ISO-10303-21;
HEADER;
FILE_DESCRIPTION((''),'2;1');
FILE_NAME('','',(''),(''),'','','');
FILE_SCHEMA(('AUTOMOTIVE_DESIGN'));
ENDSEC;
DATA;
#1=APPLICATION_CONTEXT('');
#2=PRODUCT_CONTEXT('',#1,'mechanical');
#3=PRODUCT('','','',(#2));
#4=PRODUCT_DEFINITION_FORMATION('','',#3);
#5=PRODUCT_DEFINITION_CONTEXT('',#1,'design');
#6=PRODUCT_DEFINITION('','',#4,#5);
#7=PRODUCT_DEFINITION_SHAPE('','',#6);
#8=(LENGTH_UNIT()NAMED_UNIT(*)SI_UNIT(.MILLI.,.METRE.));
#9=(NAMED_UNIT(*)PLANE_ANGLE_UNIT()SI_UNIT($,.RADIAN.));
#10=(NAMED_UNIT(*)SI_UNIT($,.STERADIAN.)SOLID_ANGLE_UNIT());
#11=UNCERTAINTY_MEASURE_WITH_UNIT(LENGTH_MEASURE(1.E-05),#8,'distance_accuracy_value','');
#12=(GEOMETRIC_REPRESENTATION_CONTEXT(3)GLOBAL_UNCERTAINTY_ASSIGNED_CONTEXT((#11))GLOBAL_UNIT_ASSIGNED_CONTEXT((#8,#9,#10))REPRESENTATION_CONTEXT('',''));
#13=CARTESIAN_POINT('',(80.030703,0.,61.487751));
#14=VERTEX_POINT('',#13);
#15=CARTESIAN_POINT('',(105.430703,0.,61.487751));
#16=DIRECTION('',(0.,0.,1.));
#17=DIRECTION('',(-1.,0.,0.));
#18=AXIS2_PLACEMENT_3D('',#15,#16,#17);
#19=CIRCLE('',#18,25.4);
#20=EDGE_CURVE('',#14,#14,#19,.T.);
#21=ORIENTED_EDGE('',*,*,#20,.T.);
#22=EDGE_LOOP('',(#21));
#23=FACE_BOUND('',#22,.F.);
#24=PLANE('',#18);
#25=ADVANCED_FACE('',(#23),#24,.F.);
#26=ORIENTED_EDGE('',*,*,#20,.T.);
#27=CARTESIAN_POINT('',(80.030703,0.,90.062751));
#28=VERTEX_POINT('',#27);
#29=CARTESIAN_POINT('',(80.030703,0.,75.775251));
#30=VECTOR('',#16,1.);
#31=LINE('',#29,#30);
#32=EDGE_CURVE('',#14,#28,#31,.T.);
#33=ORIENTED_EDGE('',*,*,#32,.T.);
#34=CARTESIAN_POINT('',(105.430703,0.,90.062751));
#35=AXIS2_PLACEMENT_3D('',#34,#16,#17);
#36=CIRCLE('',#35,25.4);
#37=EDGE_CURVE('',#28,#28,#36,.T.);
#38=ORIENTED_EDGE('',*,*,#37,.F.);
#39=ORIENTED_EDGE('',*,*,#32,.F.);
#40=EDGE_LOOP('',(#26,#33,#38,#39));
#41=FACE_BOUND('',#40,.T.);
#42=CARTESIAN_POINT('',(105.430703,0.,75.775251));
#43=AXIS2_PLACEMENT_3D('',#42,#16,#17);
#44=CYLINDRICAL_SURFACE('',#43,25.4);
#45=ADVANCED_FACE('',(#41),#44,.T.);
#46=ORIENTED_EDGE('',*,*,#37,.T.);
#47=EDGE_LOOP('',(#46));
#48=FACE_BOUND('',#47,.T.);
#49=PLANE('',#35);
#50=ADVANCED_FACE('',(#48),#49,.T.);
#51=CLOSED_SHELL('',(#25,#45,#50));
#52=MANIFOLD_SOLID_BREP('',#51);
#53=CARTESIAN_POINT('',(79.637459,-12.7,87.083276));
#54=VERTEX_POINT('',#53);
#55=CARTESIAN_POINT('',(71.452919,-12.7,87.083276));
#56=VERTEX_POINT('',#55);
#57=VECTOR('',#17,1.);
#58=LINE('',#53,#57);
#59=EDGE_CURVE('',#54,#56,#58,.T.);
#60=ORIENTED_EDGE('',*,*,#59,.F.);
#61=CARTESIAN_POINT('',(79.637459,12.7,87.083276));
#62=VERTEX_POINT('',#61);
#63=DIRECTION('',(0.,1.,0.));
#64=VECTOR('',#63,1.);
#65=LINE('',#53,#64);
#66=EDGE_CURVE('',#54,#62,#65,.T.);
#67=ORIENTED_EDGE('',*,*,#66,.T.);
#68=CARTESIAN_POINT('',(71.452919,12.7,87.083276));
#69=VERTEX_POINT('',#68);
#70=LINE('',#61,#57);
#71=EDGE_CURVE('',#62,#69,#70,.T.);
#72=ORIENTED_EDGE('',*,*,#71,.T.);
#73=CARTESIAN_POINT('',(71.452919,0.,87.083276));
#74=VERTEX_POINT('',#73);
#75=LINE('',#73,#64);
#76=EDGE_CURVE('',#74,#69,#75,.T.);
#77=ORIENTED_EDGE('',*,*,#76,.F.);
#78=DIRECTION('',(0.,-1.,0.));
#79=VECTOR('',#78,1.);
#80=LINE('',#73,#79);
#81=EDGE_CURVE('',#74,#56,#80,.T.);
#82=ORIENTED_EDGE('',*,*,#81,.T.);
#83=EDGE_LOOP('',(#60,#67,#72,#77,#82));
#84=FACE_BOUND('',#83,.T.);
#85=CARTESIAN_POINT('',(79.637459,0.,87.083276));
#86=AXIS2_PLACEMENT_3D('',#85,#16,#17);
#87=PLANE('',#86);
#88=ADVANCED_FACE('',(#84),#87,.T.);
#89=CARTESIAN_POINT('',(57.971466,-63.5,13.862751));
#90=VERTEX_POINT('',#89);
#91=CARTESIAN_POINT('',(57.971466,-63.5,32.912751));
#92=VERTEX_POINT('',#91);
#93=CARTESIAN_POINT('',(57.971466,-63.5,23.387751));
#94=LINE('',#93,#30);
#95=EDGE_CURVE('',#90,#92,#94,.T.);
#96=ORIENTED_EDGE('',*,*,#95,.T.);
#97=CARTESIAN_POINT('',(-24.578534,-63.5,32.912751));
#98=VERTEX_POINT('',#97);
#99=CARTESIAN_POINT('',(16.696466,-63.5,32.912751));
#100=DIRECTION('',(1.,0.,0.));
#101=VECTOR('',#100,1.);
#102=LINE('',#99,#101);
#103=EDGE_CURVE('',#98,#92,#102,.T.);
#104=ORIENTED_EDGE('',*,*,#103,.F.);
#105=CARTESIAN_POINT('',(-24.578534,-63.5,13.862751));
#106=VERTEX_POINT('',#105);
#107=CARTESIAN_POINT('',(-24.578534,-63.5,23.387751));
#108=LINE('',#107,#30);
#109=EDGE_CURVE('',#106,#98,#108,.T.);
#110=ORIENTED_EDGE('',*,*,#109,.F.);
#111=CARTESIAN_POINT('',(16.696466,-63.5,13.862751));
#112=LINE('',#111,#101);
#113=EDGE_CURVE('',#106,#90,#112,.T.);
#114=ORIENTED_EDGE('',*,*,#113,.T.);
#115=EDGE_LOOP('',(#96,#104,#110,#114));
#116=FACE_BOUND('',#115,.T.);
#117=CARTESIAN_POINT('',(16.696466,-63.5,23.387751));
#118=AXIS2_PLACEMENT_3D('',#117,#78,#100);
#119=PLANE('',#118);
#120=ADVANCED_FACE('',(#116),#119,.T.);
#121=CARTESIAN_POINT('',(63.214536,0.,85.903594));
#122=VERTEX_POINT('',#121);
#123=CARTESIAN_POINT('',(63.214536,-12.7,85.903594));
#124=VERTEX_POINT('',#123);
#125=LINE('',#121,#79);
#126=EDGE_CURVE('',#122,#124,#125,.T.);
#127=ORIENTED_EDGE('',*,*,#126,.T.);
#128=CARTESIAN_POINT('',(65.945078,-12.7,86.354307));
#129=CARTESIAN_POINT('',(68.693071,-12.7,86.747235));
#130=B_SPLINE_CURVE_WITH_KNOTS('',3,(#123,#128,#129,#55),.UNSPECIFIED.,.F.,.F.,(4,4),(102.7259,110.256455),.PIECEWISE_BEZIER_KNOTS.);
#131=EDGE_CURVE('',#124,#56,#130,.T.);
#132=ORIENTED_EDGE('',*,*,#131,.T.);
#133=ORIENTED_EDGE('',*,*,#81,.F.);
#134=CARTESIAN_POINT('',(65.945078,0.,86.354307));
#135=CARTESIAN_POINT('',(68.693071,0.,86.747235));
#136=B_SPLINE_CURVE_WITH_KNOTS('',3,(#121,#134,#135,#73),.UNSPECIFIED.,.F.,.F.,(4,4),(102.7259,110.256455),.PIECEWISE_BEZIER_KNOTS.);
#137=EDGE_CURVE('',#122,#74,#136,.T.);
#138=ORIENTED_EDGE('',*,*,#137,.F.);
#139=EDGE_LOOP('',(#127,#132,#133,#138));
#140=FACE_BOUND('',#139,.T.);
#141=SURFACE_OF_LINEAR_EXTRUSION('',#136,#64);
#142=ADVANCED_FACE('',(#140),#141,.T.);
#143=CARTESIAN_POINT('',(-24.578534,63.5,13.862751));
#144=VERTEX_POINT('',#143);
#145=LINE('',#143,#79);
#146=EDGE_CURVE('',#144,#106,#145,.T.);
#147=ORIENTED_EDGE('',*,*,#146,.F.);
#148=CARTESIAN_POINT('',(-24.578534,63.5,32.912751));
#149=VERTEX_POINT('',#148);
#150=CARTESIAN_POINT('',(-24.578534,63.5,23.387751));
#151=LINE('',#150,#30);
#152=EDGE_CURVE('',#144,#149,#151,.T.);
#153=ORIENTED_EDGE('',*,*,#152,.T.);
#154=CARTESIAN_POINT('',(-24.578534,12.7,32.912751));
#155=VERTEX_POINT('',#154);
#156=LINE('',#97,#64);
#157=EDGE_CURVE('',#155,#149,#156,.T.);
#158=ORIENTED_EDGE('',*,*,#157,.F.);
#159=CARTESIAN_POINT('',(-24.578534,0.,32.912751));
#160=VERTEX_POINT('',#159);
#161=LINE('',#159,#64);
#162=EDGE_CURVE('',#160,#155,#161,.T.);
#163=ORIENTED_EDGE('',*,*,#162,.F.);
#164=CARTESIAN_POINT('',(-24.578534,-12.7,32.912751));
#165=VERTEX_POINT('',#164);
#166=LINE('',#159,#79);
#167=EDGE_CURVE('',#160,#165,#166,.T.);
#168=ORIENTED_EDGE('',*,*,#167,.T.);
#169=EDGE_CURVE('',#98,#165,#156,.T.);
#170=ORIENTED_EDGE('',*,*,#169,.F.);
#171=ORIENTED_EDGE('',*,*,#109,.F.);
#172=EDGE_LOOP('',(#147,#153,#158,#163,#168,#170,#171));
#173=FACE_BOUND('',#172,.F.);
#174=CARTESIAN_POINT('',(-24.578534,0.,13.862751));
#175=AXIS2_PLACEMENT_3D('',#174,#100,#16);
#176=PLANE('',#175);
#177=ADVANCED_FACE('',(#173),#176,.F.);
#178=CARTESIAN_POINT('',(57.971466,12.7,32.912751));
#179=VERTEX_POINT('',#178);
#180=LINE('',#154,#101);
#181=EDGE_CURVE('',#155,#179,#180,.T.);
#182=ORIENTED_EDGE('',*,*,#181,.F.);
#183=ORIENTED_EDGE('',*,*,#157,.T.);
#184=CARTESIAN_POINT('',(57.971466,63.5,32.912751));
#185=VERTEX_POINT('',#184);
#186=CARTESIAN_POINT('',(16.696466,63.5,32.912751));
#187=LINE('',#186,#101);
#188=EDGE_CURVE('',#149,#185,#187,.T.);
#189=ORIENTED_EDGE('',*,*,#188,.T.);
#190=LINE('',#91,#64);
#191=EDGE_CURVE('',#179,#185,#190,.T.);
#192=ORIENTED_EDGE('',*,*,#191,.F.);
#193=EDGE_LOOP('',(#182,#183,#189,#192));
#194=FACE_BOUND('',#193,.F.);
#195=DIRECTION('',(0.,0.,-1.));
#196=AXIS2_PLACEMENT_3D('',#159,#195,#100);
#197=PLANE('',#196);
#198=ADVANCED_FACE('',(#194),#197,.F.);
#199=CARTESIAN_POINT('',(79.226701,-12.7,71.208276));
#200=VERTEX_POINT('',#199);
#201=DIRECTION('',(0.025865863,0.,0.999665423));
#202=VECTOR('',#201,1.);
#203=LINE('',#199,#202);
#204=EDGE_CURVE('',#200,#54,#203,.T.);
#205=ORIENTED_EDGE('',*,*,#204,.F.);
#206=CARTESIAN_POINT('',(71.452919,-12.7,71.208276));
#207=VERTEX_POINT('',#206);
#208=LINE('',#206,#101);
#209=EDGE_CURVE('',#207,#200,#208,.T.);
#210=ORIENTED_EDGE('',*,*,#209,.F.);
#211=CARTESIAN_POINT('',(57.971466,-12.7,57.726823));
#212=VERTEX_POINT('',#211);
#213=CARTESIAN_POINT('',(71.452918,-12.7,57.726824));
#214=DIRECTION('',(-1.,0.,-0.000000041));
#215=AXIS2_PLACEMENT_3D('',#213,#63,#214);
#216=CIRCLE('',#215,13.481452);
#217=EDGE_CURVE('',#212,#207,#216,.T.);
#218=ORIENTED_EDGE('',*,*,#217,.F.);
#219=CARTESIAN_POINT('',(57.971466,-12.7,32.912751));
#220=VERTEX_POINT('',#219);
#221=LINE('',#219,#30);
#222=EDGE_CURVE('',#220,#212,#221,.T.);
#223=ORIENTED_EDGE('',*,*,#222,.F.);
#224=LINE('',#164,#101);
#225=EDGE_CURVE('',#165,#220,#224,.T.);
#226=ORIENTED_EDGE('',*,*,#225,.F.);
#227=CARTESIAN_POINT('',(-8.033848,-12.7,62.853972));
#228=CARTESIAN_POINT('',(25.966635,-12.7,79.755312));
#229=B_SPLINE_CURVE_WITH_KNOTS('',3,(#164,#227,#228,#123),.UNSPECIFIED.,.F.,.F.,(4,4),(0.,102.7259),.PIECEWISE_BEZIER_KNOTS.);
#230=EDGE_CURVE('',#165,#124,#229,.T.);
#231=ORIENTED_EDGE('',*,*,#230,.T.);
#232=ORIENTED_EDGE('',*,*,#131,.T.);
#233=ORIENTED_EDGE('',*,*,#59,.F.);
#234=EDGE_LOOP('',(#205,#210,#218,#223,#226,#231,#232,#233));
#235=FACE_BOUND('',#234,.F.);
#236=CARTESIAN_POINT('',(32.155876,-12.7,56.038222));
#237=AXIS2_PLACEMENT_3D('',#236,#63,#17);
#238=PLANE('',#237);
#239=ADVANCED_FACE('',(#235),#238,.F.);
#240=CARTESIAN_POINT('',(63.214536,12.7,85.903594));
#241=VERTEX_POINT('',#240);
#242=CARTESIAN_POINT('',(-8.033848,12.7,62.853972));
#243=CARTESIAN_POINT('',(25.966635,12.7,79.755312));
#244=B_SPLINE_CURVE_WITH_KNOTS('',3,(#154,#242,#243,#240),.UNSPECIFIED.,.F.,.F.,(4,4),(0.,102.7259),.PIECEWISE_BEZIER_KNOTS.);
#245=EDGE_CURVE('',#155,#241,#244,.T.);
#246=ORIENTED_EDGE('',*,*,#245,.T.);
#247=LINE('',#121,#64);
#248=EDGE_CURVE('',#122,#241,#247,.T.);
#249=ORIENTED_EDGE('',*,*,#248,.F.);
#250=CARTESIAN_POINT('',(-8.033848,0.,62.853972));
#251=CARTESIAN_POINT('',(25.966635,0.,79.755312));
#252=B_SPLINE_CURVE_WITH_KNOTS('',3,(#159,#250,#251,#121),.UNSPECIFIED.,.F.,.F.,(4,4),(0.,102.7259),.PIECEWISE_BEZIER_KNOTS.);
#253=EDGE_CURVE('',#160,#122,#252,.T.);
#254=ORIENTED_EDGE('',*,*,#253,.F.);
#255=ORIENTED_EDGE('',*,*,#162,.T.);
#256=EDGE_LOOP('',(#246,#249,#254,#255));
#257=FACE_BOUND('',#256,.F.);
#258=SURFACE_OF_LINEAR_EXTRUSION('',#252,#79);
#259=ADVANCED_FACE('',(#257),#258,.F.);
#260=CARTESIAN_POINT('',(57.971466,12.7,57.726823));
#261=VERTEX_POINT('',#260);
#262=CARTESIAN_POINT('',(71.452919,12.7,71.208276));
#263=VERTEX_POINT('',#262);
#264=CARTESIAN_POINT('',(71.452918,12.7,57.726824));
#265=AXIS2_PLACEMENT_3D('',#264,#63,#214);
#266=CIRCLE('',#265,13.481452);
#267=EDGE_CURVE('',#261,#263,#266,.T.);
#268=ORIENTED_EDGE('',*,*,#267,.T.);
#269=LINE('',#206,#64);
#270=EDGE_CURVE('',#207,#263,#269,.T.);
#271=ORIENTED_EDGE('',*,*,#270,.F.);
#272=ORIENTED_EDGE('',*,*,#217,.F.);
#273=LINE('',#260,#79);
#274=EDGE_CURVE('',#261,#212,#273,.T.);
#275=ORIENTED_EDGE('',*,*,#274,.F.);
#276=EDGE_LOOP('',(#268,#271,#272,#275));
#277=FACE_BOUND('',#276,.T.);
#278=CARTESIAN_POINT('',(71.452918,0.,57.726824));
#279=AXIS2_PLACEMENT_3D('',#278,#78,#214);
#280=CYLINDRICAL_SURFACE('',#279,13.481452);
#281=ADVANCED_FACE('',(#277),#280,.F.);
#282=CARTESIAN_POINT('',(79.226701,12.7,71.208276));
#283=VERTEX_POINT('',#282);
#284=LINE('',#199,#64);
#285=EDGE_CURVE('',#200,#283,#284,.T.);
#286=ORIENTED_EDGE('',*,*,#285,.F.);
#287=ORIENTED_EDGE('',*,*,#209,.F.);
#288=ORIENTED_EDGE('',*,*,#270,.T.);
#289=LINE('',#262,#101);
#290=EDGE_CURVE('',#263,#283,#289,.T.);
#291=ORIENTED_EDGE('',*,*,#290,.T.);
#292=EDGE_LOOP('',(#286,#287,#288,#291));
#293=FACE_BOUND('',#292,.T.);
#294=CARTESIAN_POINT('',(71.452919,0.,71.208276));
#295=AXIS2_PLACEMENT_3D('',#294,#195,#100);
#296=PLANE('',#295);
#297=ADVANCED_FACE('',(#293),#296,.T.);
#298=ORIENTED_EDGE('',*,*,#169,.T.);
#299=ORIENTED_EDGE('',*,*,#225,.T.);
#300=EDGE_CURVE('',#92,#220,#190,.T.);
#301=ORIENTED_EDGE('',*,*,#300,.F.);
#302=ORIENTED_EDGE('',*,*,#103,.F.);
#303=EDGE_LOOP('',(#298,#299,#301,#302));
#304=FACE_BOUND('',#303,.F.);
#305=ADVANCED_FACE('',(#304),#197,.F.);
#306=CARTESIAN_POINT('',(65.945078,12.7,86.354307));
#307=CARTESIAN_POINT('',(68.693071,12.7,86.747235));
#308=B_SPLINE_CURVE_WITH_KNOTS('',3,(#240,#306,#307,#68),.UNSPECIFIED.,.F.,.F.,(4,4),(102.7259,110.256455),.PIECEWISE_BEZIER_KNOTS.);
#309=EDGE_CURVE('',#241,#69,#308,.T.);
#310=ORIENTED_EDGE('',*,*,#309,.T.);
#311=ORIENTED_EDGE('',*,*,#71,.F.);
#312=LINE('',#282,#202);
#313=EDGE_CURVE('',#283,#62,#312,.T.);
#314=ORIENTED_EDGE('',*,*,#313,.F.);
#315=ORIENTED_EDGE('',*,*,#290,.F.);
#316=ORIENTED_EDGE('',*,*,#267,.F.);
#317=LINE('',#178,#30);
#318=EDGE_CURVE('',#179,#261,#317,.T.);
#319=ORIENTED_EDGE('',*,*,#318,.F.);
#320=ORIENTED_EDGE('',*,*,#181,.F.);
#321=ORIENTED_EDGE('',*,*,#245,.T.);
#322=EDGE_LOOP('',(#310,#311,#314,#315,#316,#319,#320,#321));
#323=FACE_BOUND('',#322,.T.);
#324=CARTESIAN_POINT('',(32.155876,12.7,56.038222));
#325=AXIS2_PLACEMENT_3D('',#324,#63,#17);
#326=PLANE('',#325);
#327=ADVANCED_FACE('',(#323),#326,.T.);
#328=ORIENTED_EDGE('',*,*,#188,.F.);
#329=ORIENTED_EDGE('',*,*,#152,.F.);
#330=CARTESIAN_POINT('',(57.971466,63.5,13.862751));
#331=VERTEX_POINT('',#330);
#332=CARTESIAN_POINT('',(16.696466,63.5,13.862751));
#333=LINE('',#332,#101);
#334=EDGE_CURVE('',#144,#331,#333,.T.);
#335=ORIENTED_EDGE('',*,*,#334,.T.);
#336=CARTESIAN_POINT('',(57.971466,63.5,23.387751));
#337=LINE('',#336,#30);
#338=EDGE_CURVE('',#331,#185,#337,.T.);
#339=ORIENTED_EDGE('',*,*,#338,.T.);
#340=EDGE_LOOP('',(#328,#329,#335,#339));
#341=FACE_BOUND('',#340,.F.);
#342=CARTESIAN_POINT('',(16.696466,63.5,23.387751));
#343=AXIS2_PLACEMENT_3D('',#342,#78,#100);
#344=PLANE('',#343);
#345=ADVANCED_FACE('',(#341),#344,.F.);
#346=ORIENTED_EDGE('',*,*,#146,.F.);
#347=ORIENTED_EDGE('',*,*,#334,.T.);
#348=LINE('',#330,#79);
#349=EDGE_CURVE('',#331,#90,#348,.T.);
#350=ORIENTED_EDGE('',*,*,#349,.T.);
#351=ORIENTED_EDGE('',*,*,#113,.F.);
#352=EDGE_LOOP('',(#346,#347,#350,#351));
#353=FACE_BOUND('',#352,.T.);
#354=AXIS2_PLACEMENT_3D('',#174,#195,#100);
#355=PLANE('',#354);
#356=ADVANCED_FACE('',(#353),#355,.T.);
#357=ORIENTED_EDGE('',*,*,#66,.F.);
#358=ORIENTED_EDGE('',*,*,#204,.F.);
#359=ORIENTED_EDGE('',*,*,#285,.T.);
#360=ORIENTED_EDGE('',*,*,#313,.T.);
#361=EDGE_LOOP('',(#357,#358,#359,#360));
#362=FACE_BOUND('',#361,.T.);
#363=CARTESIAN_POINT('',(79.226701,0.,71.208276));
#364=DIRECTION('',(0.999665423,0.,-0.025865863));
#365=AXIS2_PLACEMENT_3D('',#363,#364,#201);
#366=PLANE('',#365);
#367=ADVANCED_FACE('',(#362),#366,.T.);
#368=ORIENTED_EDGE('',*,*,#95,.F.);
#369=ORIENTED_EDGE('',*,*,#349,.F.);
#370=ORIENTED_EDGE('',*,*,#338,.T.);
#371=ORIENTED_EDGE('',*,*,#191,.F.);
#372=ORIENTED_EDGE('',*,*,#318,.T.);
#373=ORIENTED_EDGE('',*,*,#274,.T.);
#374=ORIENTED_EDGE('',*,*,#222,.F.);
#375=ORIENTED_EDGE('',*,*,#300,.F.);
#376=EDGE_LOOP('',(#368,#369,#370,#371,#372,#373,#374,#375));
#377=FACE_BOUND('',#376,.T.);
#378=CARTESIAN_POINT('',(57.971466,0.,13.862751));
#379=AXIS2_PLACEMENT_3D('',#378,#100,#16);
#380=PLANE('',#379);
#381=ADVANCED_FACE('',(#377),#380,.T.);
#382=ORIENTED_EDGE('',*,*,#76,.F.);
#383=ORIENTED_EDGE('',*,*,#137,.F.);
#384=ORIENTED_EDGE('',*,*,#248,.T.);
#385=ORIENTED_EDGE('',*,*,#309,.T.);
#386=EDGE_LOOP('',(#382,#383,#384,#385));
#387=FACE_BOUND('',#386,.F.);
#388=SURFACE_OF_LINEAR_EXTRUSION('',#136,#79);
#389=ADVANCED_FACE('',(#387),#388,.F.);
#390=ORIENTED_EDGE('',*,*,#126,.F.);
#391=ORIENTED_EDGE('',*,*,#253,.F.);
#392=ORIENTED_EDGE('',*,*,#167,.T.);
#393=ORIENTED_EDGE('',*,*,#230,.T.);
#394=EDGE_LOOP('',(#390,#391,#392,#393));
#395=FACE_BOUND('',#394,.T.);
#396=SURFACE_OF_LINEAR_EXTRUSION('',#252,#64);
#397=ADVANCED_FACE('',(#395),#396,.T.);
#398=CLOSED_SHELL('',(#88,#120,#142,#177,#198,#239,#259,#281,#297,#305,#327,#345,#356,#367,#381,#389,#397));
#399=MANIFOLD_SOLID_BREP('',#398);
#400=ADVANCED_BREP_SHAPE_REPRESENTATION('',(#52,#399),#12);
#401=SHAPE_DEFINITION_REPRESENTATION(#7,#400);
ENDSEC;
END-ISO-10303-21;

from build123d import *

# Parameters (mm, degrees)
F0_W     = 82.55
F0_H     = 19.05
F1_DEPTH = 63.5
F0_W_2   = 25.4
F0_H_2   = 28.575
F3_DEPTH = 12.7


with BuildPart() as f1:
    # F0 (on Front) → F1 (new body, symmetric)
    with BuildSketch(Plane.XZ):
        with Locations((16.696466, 23.387751)):
            Rectangle(F0_W, F0_H)
    extrude(amount=F1_DEPTH, both=True)

    # F0 (on Front) → F3 (join, symmetric)
    with BuildSketch(Plane.XZ):
        with BuildLine():
            add(Edge.make_bspline(
                [(-24.578534, 32.912751), (-8.033848, 62.853972), (25.966635, 79.755312), (63.214536, 85.903594)],
                knots=[0, 0, 0, 0, 102.7259, 102.7259, 102.7259, 102.7259], degree=3))
            Line((-24.578534, 32.912751), (57.971466, 32.912751))
            Line((57.971466, 32.912751), (57.971466, 57.726823))
            ThreePointArc((57.971466, 57.726823), (61.920092, 67.25965), (71.452919, 71.208276))
            Line((71.452919, 71.208276), (79.226701, 71.208276))
            Line((79.226701, 71.208276), (79.637459, 87.083276))
            Line((79.637459, 87.083276), (71.452919, 87.083276))
            add(Edge.make_bspline(
                [(63.214536, 85.903594), (65.945078, 86.354307), (68.693071, 86.747235), (71.452919, 87.083276)],
                knots=[102.7259, 102.7259, 102.7259, 102.7259, 110.256455, 110.256455, 110.256455, 110.256455], degree=3))
        make_face()
    extrude(amount=F3_DEPTH, both=True)


with BuildPart() as f2:
    # F0 (on Front) → F2 (revolve)
    with BuildSketch(Plane.XZ):
        with Locations((92.730703, 75.775251)):
            Rectangle(F0_W_2, F0_H_2)
    revolve(axis=Axis((105.430703, 0, 75.775251), (0, 0, 1)))


solid = Compound([f1.part, f2.part])
